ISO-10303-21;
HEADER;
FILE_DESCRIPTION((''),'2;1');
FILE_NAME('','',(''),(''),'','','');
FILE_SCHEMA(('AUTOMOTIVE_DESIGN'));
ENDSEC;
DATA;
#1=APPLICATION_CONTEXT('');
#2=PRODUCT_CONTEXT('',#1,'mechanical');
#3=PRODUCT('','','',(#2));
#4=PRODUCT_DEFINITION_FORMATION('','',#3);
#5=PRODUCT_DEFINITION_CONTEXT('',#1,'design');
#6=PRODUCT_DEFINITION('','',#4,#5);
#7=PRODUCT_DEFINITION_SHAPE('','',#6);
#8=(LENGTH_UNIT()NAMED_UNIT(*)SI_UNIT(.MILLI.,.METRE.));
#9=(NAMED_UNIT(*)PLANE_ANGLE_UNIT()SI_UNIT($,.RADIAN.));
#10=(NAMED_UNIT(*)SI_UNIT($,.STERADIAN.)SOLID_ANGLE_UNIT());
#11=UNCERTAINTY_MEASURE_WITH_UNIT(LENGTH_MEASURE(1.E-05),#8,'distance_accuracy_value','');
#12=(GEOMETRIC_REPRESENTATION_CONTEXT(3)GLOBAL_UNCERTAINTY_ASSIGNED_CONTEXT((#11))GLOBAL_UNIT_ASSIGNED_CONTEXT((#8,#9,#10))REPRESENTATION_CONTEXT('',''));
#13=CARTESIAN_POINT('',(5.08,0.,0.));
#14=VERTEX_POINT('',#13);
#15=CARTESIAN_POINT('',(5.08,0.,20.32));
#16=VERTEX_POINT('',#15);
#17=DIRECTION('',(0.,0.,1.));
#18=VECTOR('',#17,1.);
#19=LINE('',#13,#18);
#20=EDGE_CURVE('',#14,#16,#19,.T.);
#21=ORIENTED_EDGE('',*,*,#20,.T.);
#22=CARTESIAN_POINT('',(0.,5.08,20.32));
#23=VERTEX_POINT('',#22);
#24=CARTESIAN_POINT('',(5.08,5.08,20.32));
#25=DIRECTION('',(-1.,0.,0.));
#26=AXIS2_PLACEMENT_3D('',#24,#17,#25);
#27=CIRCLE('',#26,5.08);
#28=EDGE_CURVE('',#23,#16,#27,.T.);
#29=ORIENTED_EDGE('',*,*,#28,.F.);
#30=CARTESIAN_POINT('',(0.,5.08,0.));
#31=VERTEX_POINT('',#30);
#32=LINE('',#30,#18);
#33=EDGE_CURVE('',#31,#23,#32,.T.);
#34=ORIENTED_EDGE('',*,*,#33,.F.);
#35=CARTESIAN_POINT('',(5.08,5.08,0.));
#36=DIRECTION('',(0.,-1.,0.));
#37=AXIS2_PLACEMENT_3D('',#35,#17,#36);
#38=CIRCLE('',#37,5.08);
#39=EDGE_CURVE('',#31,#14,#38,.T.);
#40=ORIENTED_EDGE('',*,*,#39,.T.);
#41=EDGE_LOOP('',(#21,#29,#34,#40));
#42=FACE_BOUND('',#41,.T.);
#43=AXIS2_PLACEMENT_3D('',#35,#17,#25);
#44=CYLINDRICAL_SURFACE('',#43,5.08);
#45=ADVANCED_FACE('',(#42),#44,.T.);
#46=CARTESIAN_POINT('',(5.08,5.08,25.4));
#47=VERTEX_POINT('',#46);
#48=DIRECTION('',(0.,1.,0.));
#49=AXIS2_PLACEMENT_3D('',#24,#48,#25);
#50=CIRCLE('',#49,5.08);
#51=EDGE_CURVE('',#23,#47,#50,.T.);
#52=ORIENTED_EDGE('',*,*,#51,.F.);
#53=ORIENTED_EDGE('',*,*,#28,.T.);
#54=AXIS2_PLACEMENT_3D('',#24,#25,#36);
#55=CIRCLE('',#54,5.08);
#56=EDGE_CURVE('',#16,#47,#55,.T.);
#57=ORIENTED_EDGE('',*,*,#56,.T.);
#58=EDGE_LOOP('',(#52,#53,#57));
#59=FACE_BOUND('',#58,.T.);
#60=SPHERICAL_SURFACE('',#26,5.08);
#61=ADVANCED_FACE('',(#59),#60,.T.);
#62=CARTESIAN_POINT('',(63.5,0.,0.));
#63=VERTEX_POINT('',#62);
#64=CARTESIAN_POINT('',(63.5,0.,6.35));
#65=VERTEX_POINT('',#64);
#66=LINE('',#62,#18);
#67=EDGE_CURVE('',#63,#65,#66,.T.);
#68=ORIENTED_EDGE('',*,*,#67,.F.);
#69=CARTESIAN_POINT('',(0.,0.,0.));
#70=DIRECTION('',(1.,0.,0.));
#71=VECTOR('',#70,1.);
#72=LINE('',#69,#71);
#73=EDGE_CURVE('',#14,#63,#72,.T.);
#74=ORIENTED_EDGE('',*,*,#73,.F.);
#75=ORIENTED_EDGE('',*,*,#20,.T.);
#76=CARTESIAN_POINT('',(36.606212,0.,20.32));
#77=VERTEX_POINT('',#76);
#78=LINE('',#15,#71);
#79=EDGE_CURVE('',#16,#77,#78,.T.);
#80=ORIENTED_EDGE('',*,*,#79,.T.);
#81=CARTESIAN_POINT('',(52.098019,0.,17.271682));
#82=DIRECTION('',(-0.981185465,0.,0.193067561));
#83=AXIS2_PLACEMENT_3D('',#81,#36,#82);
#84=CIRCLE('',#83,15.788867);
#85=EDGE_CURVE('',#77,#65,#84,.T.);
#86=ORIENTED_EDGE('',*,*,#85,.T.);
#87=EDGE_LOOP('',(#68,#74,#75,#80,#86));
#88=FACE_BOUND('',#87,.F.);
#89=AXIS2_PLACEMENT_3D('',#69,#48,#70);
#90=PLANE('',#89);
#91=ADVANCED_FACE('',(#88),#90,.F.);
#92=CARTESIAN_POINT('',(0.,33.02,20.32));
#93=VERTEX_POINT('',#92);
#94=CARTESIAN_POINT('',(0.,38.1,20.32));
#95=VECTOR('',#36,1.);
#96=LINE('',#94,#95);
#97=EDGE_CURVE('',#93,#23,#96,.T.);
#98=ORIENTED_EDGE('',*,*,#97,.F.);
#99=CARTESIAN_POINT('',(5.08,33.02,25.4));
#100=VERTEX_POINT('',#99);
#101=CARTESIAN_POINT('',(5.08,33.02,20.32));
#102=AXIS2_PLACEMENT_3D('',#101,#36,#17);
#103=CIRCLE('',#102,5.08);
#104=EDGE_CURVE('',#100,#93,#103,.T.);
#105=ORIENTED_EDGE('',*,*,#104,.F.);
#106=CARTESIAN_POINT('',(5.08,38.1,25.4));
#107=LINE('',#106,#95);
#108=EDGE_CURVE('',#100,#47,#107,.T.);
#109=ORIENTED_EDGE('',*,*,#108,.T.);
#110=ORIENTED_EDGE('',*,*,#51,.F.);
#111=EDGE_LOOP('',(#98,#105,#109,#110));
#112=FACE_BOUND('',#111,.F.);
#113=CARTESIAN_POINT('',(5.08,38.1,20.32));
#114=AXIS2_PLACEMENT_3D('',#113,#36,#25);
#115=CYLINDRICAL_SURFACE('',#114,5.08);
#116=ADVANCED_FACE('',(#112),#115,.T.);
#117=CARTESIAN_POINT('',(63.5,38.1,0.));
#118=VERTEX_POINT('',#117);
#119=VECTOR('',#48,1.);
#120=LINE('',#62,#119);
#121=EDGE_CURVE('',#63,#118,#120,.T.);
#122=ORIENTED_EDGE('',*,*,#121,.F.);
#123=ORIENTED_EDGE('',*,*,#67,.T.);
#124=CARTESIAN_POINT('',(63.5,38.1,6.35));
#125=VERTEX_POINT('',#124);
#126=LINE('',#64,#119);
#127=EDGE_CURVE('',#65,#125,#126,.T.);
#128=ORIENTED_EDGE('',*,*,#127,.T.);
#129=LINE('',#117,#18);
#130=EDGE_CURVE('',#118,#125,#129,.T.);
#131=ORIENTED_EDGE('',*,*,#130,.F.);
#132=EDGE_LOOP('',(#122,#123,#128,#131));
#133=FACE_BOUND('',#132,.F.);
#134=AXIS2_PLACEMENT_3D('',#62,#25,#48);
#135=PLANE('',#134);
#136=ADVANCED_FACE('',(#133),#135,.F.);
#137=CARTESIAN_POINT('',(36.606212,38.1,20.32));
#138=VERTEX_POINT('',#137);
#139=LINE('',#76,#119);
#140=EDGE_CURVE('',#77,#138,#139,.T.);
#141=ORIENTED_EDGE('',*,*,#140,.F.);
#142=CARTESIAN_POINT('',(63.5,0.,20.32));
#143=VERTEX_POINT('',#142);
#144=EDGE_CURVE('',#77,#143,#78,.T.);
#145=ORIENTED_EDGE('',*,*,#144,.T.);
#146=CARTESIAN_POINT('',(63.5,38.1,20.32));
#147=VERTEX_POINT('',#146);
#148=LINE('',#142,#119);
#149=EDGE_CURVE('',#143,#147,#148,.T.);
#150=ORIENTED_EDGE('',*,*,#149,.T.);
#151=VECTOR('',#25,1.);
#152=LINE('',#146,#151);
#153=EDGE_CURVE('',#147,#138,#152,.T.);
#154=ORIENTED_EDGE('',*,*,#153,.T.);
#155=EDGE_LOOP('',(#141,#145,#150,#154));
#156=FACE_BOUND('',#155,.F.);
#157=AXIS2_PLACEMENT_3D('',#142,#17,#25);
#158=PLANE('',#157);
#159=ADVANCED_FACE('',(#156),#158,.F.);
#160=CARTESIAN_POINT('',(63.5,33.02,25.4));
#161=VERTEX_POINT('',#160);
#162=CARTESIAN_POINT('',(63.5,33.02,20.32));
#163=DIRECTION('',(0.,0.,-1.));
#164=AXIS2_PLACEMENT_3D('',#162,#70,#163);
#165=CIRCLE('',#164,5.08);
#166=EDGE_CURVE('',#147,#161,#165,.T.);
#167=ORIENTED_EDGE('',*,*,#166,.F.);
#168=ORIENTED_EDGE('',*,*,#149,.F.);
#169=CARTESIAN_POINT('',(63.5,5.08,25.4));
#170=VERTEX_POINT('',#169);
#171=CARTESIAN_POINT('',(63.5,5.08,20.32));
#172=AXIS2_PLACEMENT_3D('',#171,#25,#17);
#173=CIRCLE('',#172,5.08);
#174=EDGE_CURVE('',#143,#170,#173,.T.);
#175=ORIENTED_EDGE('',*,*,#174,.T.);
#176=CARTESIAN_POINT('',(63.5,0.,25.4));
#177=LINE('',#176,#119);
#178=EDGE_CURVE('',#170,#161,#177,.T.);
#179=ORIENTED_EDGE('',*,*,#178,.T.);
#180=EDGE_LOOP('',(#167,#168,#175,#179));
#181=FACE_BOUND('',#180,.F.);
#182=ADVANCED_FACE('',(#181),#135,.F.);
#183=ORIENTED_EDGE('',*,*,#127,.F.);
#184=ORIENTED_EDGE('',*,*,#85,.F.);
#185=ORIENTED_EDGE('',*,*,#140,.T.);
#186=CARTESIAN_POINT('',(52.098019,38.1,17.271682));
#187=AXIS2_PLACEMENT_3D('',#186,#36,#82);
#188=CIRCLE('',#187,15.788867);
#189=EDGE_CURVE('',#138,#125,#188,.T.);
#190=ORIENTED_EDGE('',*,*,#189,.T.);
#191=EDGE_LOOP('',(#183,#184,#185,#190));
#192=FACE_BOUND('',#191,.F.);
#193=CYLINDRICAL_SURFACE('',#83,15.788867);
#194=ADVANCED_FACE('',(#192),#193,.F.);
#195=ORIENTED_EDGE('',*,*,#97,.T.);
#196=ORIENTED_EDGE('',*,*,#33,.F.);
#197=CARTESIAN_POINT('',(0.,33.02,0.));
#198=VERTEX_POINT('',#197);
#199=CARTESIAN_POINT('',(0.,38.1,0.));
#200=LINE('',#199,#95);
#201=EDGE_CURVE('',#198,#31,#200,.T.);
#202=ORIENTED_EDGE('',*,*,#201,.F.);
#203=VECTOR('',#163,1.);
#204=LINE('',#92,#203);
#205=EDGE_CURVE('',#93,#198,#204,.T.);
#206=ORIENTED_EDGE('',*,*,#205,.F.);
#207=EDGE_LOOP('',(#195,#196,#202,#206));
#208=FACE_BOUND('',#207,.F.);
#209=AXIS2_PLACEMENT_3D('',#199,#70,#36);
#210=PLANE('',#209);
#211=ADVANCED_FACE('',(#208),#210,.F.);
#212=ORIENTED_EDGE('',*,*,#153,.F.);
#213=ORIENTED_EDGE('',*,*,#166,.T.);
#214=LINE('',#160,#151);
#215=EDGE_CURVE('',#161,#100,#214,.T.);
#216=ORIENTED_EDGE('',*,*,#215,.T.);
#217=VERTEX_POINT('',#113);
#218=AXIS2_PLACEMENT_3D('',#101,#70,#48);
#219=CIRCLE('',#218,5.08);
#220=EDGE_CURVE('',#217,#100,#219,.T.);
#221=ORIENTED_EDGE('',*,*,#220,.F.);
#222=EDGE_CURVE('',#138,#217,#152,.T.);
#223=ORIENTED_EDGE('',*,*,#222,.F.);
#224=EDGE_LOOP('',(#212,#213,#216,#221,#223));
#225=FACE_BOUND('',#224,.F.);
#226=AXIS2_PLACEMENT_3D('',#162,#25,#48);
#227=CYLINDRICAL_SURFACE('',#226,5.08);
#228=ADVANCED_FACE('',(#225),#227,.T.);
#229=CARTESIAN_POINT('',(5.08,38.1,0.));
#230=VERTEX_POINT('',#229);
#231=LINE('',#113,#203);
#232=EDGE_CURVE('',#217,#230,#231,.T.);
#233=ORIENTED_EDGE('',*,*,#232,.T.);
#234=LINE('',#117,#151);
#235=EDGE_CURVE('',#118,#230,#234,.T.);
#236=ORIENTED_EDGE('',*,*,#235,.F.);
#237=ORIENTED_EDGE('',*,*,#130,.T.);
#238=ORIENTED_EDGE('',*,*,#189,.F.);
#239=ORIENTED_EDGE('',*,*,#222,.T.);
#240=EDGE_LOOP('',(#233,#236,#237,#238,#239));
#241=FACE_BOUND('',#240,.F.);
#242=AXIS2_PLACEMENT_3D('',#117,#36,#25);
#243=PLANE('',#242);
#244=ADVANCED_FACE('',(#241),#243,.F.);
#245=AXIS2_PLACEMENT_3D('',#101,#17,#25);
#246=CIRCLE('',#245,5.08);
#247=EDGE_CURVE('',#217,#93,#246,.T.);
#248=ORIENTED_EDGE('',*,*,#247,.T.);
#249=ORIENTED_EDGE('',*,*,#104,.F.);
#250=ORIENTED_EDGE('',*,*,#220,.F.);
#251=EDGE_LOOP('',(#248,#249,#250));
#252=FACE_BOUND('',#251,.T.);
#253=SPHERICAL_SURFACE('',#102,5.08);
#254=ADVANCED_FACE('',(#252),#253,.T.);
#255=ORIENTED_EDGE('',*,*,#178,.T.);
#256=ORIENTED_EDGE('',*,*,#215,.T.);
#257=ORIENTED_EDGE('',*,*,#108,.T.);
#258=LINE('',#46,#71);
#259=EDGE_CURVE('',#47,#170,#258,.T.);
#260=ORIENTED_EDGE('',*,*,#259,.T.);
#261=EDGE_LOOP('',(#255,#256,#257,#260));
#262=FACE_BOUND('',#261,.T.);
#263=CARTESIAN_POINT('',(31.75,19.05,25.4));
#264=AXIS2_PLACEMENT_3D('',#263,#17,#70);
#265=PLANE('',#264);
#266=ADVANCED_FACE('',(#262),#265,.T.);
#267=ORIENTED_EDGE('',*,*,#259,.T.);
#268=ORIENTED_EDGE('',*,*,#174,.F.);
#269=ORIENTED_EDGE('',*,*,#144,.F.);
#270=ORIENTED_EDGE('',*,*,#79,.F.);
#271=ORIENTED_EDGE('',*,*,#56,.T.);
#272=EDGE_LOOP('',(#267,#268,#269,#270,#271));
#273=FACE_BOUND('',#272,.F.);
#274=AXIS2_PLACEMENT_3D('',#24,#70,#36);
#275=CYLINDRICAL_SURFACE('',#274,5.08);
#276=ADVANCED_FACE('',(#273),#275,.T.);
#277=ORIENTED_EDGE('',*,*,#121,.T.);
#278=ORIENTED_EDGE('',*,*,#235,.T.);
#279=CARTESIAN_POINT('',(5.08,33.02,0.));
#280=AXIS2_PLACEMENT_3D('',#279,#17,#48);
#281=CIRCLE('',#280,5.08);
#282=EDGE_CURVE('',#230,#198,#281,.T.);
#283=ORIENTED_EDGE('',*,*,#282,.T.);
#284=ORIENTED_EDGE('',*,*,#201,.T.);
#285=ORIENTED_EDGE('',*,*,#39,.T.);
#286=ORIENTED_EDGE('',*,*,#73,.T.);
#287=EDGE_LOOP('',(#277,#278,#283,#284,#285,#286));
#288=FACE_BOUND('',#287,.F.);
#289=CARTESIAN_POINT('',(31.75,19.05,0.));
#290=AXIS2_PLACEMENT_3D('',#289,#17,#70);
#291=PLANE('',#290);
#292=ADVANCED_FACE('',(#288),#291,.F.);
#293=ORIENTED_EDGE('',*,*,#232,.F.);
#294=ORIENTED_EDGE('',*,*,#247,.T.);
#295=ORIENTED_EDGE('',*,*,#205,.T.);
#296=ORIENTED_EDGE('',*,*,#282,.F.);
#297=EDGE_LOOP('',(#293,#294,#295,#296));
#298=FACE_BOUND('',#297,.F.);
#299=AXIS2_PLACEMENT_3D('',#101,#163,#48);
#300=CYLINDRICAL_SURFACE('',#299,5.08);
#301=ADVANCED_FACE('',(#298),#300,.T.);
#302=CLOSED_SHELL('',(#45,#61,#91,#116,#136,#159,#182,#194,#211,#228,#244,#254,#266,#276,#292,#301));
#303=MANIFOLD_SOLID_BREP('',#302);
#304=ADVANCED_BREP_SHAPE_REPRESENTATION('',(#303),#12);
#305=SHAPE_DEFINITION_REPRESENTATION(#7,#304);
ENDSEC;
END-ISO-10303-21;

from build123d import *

# Parameters (mm, degrees)
F1_DEPTH = 25.4
F2_R     = 5.08
F3_R     = 5.08
F4_R     = 5.08
F6_DEPTH = 41.656


with BuildPart() as f1:
    # F0 (on Top) → F1 (new body)
    with BuildSketch(Plane.XY):
        Polygon((0, 38.1), (0, 0), (63.5, 0), (63.5, 38.1), (50.8, 38.1), (12.7, 38.1), align=None)
    extrude(amount=F1_DEPTH)

    # F2
    f2_edges = [f1.edges().sort_by_distance(p)[0] for p in [
        (0, 0, 12.7),
    ]]
    fillet(f2_edges, radius=F2_R)

    # F3
    f3_edges = [f1.edges().sort_by_distance(p)[0] for p in [
        (1.487898, 1.487898, 25.4),
    ]]
    fillet(f3_edges, radius=F3_R)

    # F4
    f4_edges = [f1.edges().sort_by_distance(p)[0] for p in [
        (34.29, 38.1, 25.4),
    ]]
    fillet(f4_edges, radius=F4_R)

    # F5 (on face) → F6 (cut)
    with BuildSketch(Plane.XZ):
        with BuildLine():
            Line((63.5, 20.32), (36.6062117726, 20.32))
            ThreePointArc((36.6062117726, 20.32), (44.8198393028, 3.2603855953), (63.5, 6.35))
            Line((63.5, 6.35), (63.5, 20.32))
        make_face()
    extrude(amount=-F6_DEPTH, mode=Mode.SUBTRACT)


solid = f1.part
